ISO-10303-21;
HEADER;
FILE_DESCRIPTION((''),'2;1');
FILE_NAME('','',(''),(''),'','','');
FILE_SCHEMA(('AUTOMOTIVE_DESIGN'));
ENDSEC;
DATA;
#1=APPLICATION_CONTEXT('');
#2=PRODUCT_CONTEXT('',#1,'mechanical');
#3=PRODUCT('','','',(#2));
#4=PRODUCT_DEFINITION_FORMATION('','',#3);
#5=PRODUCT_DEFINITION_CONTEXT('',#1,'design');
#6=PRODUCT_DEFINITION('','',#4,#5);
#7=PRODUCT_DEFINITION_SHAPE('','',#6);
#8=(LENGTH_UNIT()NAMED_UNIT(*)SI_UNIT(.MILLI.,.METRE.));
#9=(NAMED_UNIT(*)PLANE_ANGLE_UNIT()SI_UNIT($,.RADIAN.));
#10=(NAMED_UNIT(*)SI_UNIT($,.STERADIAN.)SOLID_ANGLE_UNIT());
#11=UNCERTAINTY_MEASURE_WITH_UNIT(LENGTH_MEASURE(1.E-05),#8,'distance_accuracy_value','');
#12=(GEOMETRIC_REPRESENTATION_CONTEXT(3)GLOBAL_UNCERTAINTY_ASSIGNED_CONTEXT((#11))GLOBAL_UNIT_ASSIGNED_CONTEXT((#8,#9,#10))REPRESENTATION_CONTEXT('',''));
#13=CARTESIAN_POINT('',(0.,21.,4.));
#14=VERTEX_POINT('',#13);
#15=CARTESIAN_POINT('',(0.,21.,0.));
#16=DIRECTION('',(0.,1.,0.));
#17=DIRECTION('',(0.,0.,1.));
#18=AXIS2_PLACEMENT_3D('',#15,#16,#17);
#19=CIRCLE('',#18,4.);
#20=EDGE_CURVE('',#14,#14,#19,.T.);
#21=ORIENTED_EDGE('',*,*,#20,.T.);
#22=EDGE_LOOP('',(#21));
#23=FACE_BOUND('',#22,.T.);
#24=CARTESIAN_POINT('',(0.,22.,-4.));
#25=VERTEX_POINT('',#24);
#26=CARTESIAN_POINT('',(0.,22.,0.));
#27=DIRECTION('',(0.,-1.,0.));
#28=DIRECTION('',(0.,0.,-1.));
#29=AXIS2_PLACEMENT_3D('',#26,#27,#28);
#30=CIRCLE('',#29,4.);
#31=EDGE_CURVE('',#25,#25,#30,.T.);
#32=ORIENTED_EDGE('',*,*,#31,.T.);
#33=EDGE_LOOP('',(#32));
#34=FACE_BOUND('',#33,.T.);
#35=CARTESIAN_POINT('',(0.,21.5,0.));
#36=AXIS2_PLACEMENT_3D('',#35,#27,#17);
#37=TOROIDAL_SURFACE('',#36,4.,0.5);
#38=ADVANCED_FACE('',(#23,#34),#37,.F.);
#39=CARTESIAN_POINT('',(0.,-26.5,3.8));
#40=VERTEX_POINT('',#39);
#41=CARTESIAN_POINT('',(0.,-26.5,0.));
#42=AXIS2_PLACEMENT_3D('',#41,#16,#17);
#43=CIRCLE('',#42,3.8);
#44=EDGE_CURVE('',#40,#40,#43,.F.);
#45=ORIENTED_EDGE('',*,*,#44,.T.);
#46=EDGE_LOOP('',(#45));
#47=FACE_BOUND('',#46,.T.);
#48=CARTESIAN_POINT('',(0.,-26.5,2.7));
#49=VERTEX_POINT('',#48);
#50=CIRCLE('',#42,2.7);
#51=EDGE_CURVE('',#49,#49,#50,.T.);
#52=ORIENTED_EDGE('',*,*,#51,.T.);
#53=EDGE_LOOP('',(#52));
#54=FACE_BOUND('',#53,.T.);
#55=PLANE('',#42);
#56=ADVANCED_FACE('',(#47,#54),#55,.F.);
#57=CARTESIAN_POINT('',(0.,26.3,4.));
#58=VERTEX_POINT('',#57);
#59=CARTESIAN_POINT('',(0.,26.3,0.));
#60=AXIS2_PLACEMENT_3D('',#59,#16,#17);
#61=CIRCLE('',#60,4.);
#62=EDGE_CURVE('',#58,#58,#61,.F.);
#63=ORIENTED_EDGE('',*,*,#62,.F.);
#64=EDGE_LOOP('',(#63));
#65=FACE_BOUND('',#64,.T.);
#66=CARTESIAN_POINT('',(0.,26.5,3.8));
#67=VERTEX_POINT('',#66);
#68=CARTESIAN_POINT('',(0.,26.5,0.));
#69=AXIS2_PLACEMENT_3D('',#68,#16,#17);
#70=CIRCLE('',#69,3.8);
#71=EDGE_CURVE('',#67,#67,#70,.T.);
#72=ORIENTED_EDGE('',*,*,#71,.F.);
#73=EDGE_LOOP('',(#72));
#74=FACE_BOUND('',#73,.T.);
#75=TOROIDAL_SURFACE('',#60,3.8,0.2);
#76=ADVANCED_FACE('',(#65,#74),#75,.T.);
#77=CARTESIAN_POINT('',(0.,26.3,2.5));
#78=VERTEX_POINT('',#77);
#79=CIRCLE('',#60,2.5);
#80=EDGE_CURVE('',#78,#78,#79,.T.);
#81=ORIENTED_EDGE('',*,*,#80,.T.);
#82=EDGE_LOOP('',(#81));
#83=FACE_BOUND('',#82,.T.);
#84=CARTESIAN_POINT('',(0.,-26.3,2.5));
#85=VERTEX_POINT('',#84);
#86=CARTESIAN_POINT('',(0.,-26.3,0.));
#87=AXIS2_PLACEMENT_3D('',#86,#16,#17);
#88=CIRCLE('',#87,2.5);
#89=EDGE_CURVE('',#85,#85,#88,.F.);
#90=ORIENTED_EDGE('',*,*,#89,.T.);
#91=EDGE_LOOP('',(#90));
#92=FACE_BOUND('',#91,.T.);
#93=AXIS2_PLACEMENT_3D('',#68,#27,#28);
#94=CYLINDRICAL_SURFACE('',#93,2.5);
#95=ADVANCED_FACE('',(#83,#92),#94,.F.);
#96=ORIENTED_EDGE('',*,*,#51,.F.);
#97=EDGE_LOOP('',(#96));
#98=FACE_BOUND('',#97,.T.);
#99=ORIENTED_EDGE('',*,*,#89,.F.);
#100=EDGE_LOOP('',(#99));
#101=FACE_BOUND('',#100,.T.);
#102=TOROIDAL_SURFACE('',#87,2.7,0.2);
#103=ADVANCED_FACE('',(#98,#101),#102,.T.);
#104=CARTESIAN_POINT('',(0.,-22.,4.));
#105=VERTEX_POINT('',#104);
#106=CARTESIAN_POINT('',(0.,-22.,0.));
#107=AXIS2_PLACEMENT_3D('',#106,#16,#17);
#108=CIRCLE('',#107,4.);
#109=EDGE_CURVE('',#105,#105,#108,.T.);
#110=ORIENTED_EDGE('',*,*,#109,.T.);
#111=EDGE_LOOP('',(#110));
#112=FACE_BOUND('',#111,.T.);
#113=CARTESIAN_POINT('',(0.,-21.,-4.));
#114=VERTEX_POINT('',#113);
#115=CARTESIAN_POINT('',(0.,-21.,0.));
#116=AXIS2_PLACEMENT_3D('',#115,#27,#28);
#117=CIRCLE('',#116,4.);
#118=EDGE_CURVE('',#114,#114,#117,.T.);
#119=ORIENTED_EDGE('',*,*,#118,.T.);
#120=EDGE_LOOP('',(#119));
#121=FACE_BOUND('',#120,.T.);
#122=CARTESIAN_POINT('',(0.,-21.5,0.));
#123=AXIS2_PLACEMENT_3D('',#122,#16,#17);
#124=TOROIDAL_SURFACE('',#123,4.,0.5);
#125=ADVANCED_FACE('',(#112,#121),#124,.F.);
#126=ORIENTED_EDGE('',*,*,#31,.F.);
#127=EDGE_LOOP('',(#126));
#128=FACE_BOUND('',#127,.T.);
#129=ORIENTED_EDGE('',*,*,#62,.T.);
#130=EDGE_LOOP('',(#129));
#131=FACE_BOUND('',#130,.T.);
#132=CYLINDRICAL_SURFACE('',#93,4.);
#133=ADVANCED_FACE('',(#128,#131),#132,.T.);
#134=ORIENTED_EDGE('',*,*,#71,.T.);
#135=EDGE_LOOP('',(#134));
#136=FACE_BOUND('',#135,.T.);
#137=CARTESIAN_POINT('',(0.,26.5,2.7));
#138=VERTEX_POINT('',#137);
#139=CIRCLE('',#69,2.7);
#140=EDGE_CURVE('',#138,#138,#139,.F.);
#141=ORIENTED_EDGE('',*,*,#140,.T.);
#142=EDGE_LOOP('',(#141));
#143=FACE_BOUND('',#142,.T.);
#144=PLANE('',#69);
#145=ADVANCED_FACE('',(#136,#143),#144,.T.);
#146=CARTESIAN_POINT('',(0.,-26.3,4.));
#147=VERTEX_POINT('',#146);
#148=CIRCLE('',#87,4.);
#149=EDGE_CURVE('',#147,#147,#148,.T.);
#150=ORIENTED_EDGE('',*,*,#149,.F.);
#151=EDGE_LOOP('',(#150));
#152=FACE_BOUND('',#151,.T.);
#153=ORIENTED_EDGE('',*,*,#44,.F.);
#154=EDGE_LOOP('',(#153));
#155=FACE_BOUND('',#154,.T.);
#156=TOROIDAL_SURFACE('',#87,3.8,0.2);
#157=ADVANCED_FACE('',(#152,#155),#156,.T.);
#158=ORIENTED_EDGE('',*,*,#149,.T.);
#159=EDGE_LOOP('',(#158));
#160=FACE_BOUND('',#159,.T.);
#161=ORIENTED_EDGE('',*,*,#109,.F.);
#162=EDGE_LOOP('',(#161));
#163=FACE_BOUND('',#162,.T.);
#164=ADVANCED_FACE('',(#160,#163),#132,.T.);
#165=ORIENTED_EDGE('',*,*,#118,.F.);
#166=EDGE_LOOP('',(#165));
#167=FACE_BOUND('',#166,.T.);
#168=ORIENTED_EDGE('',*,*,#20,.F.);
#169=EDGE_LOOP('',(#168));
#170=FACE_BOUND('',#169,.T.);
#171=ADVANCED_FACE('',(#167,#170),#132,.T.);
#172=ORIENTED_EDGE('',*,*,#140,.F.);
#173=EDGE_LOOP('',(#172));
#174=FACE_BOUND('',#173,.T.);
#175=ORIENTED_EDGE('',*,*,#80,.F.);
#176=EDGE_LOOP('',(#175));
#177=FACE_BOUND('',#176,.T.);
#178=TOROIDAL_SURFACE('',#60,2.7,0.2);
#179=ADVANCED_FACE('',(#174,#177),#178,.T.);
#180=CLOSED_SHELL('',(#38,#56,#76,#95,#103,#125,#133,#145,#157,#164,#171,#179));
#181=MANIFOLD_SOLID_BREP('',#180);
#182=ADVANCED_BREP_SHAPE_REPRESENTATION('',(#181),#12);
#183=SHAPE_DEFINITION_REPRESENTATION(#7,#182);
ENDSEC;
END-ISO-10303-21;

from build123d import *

# Parameters (mm, degrees)
SKETCH1_R           = 4
SKETCH1_R_2         = 2.5
BOSS_EXTRUDE1_DEPTH = 26.5
SKETCH2_R           = 0.5
FILLET1_R           = 0.2


with BuildPart() as part:
    # Sketch1 → Boss-Extrude1 (new body, symmetric)
    with BuildSketch(Plane(origin=(0, 0, 0), x_dir=(1, 0, 0), z_dir=(0, 1, 0))):
        Circle(SKETCH1_R)
        Circle(SKETCH1_R_2, mode=Mode.SUBTRACT)
    extrude(amount=BOSS_EXTRUDE1_DEPTH, both=True)

    # Sketch2 → Cut-Revolve1 (revolve, cut)
    with BuildSketch(Plane.XY):
        with Locations((4, -21.5)):
            Circle(SKETCH2_R)
    cut_revolve1 = revolve(axis=Axis((0, 35.374478172, 0), (0, -1, 0)), mode=Mode.SUBTRACT)

    # Mirror1: Cut-Revolve1 across plane
    add(cut_revolve1.mirror(Plane.ZX), mode=Mode.SUBTRACT)

    # Fillet1
    fillet1_edges = [part.edges().sort_by_distance(p)[0] for p in [
        (-4, -26.5, 0),
        (-4, 26.5, 0),
        (-2.5, -26.5, 0),
        (-2.5, 26.5, 0),
    ]]
    fillet(fillet1_edges, radius=FILLET1_R)


solid = part.part
